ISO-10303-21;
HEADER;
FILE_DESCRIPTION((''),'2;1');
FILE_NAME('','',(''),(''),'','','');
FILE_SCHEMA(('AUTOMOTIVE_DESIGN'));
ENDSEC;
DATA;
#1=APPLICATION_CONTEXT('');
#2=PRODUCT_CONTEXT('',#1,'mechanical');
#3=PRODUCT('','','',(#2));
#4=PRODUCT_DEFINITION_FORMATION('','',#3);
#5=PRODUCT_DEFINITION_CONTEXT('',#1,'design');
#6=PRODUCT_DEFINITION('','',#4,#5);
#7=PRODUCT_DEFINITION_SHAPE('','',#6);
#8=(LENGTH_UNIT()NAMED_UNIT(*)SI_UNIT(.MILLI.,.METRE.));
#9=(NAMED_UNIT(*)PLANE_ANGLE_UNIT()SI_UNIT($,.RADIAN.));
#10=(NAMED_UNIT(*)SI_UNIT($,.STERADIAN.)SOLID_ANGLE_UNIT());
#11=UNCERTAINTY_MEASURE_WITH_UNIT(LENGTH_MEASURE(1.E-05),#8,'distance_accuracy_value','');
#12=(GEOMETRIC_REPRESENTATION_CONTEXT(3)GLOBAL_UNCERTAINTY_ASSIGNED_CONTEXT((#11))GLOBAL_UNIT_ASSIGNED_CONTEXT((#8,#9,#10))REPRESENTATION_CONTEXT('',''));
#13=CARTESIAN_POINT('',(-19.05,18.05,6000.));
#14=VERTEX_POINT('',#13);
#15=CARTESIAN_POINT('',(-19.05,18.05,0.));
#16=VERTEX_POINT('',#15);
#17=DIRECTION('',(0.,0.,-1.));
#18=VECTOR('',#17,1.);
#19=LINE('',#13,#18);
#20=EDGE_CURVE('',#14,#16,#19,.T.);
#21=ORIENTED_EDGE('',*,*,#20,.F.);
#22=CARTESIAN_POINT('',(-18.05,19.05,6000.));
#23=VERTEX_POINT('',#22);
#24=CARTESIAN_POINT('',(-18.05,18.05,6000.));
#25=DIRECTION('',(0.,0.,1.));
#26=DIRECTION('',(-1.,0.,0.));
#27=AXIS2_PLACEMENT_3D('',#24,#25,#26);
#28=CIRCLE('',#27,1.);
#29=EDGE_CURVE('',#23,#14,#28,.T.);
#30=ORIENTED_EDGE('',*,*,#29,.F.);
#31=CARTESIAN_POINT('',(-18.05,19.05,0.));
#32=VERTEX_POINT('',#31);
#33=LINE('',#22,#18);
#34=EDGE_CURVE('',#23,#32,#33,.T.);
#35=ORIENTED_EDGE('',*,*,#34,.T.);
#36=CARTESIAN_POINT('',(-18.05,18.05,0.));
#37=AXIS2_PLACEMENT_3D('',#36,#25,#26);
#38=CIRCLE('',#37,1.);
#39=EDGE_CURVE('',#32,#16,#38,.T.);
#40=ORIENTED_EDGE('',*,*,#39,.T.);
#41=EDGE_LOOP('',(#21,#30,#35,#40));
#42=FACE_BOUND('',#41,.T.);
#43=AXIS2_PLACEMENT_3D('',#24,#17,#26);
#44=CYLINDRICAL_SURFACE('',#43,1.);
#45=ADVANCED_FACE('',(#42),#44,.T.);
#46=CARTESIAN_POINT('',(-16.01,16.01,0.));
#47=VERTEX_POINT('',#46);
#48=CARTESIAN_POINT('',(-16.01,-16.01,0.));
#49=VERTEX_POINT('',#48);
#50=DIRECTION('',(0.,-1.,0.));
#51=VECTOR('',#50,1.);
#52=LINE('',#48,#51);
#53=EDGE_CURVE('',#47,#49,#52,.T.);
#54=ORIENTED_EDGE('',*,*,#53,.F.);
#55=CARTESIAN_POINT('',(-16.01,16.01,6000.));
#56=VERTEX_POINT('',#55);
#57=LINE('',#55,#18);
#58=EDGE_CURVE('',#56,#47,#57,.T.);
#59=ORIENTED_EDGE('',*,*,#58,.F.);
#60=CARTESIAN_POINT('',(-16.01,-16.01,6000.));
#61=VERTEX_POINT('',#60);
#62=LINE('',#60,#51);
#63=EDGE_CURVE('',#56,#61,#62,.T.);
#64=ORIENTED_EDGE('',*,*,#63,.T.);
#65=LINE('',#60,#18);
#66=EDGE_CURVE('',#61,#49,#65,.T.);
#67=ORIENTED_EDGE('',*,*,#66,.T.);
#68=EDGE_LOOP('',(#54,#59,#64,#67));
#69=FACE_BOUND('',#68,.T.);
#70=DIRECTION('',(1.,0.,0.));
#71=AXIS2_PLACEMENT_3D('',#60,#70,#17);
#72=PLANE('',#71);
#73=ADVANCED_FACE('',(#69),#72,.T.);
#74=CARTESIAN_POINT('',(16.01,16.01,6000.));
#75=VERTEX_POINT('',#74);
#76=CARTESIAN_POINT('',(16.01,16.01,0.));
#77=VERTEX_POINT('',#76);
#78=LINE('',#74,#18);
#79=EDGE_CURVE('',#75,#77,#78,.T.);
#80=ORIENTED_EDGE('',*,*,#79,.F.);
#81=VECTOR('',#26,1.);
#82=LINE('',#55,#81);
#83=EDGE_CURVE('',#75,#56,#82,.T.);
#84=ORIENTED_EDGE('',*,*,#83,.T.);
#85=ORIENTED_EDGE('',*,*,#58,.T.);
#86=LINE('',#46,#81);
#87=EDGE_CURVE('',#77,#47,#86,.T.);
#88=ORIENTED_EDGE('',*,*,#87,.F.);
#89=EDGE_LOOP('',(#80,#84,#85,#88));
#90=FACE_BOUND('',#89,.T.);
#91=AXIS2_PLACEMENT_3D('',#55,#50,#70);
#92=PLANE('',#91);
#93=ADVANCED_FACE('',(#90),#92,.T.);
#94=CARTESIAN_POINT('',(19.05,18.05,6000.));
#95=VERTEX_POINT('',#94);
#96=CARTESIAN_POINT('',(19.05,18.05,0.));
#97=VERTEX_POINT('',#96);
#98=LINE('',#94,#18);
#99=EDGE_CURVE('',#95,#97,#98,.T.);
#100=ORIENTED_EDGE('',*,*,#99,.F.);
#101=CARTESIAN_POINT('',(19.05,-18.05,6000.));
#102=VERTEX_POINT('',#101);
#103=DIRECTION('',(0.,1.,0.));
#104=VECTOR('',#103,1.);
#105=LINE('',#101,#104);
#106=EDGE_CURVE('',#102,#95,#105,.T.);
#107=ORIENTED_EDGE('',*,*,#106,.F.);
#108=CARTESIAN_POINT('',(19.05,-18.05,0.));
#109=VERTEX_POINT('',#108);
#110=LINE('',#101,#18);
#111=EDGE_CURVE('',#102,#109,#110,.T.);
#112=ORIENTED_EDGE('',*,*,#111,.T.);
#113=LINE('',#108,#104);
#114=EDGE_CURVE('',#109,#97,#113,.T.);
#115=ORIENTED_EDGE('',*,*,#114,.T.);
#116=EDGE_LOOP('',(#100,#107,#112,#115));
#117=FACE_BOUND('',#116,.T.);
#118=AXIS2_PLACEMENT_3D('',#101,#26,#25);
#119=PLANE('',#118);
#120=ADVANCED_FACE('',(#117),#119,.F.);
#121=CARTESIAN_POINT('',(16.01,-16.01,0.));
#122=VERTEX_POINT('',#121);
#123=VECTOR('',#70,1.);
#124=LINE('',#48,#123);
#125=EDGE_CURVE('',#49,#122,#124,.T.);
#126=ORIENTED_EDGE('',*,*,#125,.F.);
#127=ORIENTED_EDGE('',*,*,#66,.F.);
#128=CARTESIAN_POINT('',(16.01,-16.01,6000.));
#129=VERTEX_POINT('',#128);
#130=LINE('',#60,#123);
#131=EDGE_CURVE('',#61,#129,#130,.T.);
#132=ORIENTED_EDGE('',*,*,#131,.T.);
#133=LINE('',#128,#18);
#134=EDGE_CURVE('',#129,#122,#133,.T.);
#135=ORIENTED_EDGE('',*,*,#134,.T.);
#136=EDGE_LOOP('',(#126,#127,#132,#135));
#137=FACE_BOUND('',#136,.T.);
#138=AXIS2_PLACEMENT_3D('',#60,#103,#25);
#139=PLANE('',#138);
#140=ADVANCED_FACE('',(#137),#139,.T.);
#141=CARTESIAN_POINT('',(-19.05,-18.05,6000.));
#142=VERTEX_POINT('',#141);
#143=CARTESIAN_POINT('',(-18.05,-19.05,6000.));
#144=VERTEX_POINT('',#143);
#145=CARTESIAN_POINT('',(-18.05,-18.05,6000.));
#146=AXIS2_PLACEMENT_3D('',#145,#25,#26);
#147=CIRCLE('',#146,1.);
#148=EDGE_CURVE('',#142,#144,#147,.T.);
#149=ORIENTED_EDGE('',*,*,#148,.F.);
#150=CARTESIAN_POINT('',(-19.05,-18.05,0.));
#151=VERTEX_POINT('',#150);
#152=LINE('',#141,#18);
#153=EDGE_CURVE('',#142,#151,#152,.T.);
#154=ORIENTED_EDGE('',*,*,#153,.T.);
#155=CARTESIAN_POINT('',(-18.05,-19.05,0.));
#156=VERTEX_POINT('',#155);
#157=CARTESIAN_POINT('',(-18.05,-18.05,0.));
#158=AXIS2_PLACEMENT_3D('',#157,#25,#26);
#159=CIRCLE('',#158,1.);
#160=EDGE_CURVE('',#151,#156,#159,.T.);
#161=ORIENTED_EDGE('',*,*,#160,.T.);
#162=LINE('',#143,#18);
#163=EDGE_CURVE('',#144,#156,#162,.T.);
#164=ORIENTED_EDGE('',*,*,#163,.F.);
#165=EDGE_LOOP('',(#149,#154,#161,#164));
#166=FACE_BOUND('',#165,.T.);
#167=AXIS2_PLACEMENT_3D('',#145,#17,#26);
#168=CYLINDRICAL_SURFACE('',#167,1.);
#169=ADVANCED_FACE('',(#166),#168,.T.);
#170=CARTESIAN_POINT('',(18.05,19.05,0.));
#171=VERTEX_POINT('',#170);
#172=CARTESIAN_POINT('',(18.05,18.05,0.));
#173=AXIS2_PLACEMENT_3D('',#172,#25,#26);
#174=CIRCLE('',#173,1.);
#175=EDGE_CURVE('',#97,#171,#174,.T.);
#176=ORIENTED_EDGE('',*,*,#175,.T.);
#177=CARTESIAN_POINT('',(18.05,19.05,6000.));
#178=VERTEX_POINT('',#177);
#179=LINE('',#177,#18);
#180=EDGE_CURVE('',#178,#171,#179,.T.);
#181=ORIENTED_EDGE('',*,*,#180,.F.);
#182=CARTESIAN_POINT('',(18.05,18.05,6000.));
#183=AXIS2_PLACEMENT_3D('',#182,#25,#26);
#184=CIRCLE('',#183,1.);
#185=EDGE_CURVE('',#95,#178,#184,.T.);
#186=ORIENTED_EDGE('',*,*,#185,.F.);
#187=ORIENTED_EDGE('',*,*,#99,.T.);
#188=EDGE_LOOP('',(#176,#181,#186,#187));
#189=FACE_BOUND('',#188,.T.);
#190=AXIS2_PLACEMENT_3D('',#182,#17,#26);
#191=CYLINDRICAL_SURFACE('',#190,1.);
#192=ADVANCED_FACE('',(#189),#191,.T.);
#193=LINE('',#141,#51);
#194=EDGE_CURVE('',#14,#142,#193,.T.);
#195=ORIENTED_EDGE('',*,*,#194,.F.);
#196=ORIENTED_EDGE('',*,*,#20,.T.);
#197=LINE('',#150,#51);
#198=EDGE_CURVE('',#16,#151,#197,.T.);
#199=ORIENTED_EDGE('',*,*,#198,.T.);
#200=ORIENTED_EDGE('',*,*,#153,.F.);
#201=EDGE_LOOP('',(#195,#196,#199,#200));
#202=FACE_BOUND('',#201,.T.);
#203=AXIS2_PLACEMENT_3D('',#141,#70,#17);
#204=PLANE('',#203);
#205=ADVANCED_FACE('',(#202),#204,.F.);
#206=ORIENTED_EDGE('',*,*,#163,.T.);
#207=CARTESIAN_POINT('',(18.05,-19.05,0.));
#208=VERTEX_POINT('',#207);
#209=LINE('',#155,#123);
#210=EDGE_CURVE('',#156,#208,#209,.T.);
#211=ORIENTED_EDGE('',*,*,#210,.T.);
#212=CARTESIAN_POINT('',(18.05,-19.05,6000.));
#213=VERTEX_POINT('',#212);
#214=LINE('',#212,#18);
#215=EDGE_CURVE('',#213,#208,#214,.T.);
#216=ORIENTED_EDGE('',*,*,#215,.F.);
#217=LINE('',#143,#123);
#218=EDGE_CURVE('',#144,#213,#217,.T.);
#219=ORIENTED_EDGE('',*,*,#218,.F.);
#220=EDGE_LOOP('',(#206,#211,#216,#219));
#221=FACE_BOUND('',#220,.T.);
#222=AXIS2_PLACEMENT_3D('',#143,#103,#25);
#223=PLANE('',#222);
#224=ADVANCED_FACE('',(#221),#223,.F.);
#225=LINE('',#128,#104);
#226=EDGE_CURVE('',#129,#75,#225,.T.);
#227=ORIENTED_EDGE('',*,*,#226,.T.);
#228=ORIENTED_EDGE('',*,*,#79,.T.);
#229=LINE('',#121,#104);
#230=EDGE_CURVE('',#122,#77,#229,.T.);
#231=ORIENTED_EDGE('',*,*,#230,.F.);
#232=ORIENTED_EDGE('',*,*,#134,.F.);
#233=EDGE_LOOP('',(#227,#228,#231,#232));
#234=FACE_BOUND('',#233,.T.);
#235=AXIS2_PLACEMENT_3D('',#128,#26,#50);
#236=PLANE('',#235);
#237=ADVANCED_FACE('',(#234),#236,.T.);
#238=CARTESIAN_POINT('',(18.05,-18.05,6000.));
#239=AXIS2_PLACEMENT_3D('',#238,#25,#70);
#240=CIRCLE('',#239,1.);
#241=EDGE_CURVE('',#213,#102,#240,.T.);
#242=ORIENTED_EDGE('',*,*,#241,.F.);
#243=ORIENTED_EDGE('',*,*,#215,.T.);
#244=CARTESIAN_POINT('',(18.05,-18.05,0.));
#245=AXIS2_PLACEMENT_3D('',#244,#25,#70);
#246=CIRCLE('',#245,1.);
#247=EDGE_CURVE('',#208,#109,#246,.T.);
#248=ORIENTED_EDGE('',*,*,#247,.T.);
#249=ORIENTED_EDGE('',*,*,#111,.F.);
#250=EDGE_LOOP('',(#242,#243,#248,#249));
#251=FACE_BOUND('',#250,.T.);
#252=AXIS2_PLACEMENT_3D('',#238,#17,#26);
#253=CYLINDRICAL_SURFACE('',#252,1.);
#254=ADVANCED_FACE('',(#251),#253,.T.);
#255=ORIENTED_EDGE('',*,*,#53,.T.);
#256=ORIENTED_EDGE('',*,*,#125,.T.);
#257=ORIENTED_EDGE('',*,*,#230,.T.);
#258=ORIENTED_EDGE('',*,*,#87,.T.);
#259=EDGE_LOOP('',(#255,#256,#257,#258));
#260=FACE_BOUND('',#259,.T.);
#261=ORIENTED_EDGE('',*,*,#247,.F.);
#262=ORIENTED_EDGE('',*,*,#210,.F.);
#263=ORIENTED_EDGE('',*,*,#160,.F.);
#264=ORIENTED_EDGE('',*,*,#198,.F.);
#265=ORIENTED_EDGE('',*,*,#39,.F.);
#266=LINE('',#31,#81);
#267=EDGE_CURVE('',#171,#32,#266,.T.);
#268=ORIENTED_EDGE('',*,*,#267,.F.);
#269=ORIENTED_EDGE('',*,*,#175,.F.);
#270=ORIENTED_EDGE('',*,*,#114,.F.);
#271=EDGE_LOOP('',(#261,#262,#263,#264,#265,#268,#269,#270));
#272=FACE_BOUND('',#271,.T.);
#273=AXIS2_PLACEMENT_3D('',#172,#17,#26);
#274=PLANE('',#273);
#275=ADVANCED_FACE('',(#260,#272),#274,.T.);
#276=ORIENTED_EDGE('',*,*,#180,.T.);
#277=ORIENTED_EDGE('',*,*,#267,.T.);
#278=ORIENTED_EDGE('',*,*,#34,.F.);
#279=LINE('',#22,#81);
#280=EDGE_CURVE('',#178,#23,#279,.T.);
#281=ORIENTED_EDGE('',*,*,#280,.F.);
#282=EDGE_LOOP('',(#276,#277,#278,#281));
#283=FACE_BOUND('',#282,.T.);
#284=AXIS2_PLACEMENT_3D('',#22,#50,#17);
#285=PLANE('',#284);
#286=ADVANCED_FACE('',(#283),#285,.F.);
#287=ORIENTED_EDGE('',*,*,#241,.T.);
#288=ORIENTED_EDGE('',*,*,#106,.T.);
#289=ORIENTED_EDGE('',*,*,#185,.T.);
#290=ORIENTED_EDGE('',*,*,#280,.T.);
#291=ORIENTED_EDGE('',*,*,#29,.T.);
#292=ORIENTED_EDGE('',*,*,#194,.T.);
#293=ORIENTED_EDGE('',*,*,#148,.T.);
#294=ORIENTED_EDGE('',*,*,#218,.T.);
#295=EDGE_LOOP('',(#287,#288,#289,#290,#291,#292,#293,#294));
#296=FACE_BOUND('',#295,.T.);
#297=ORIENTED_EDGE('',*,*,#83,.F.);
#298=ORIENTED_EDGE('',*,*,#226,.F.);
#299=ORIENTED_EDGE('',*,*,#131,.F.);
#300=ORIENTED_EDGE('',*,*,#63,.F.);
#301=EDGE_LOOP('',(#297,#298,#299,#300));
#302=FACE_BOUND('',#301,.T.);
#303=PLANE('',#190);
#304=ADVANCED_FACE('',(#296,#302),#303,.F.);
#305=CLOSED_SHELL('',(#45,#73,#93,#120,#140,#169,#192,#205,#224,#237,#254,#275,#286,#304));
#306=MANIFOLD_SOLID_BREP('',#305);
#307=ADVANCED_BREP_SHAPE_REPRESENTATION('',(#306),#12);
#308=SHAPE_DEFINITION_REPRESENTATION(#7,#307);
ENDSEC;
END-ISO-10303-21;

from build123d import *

# Parameters (mm, degrees)
CROQUIS1_W              = 32.02
CROQUIS1_H              = 32.02
SALIENTE_EXTRUIR1_DEPTH = 6000


with BuildPart() as part:
    # Croquis1 → Saliente-Extruir1 (new body)
    with BuildSketch(Plane.XY):
        with BuildLine():
            Line((-18.05, -19.05), (18.05, -19.05))
            ThreePointArc((18.05, -19.05), (18.757106781, -18.757106781), (19.05, -18.05))
            Line((19.05, -18.05), (19.05, 18.05))
            ThreePointArc((19.05, 18.05), (18.757106781, 18.757106781), (18.05, 19.05))
            Line((18.05, 19.05), (-18.05, 19.05))
            ThreePointArc((-18.05, 19.05), (-18.757106781, 18.757106781), (-19.05, 18.05))
            Line((-19.05, 18.05), (-19.05, -18.05))
            ThreePointArc((-19.05, -18.05), (-18.757106781, -18.757106781), (-18.05, -19.05))
        make_face()
        Rectangle(CROQUIS1_W, CROQUIS1_H, mode=Mode.SUBTRACT)
    extrude(amount=SALIENTE_EXTRUIR1_DEPTH)


solid = part.part
